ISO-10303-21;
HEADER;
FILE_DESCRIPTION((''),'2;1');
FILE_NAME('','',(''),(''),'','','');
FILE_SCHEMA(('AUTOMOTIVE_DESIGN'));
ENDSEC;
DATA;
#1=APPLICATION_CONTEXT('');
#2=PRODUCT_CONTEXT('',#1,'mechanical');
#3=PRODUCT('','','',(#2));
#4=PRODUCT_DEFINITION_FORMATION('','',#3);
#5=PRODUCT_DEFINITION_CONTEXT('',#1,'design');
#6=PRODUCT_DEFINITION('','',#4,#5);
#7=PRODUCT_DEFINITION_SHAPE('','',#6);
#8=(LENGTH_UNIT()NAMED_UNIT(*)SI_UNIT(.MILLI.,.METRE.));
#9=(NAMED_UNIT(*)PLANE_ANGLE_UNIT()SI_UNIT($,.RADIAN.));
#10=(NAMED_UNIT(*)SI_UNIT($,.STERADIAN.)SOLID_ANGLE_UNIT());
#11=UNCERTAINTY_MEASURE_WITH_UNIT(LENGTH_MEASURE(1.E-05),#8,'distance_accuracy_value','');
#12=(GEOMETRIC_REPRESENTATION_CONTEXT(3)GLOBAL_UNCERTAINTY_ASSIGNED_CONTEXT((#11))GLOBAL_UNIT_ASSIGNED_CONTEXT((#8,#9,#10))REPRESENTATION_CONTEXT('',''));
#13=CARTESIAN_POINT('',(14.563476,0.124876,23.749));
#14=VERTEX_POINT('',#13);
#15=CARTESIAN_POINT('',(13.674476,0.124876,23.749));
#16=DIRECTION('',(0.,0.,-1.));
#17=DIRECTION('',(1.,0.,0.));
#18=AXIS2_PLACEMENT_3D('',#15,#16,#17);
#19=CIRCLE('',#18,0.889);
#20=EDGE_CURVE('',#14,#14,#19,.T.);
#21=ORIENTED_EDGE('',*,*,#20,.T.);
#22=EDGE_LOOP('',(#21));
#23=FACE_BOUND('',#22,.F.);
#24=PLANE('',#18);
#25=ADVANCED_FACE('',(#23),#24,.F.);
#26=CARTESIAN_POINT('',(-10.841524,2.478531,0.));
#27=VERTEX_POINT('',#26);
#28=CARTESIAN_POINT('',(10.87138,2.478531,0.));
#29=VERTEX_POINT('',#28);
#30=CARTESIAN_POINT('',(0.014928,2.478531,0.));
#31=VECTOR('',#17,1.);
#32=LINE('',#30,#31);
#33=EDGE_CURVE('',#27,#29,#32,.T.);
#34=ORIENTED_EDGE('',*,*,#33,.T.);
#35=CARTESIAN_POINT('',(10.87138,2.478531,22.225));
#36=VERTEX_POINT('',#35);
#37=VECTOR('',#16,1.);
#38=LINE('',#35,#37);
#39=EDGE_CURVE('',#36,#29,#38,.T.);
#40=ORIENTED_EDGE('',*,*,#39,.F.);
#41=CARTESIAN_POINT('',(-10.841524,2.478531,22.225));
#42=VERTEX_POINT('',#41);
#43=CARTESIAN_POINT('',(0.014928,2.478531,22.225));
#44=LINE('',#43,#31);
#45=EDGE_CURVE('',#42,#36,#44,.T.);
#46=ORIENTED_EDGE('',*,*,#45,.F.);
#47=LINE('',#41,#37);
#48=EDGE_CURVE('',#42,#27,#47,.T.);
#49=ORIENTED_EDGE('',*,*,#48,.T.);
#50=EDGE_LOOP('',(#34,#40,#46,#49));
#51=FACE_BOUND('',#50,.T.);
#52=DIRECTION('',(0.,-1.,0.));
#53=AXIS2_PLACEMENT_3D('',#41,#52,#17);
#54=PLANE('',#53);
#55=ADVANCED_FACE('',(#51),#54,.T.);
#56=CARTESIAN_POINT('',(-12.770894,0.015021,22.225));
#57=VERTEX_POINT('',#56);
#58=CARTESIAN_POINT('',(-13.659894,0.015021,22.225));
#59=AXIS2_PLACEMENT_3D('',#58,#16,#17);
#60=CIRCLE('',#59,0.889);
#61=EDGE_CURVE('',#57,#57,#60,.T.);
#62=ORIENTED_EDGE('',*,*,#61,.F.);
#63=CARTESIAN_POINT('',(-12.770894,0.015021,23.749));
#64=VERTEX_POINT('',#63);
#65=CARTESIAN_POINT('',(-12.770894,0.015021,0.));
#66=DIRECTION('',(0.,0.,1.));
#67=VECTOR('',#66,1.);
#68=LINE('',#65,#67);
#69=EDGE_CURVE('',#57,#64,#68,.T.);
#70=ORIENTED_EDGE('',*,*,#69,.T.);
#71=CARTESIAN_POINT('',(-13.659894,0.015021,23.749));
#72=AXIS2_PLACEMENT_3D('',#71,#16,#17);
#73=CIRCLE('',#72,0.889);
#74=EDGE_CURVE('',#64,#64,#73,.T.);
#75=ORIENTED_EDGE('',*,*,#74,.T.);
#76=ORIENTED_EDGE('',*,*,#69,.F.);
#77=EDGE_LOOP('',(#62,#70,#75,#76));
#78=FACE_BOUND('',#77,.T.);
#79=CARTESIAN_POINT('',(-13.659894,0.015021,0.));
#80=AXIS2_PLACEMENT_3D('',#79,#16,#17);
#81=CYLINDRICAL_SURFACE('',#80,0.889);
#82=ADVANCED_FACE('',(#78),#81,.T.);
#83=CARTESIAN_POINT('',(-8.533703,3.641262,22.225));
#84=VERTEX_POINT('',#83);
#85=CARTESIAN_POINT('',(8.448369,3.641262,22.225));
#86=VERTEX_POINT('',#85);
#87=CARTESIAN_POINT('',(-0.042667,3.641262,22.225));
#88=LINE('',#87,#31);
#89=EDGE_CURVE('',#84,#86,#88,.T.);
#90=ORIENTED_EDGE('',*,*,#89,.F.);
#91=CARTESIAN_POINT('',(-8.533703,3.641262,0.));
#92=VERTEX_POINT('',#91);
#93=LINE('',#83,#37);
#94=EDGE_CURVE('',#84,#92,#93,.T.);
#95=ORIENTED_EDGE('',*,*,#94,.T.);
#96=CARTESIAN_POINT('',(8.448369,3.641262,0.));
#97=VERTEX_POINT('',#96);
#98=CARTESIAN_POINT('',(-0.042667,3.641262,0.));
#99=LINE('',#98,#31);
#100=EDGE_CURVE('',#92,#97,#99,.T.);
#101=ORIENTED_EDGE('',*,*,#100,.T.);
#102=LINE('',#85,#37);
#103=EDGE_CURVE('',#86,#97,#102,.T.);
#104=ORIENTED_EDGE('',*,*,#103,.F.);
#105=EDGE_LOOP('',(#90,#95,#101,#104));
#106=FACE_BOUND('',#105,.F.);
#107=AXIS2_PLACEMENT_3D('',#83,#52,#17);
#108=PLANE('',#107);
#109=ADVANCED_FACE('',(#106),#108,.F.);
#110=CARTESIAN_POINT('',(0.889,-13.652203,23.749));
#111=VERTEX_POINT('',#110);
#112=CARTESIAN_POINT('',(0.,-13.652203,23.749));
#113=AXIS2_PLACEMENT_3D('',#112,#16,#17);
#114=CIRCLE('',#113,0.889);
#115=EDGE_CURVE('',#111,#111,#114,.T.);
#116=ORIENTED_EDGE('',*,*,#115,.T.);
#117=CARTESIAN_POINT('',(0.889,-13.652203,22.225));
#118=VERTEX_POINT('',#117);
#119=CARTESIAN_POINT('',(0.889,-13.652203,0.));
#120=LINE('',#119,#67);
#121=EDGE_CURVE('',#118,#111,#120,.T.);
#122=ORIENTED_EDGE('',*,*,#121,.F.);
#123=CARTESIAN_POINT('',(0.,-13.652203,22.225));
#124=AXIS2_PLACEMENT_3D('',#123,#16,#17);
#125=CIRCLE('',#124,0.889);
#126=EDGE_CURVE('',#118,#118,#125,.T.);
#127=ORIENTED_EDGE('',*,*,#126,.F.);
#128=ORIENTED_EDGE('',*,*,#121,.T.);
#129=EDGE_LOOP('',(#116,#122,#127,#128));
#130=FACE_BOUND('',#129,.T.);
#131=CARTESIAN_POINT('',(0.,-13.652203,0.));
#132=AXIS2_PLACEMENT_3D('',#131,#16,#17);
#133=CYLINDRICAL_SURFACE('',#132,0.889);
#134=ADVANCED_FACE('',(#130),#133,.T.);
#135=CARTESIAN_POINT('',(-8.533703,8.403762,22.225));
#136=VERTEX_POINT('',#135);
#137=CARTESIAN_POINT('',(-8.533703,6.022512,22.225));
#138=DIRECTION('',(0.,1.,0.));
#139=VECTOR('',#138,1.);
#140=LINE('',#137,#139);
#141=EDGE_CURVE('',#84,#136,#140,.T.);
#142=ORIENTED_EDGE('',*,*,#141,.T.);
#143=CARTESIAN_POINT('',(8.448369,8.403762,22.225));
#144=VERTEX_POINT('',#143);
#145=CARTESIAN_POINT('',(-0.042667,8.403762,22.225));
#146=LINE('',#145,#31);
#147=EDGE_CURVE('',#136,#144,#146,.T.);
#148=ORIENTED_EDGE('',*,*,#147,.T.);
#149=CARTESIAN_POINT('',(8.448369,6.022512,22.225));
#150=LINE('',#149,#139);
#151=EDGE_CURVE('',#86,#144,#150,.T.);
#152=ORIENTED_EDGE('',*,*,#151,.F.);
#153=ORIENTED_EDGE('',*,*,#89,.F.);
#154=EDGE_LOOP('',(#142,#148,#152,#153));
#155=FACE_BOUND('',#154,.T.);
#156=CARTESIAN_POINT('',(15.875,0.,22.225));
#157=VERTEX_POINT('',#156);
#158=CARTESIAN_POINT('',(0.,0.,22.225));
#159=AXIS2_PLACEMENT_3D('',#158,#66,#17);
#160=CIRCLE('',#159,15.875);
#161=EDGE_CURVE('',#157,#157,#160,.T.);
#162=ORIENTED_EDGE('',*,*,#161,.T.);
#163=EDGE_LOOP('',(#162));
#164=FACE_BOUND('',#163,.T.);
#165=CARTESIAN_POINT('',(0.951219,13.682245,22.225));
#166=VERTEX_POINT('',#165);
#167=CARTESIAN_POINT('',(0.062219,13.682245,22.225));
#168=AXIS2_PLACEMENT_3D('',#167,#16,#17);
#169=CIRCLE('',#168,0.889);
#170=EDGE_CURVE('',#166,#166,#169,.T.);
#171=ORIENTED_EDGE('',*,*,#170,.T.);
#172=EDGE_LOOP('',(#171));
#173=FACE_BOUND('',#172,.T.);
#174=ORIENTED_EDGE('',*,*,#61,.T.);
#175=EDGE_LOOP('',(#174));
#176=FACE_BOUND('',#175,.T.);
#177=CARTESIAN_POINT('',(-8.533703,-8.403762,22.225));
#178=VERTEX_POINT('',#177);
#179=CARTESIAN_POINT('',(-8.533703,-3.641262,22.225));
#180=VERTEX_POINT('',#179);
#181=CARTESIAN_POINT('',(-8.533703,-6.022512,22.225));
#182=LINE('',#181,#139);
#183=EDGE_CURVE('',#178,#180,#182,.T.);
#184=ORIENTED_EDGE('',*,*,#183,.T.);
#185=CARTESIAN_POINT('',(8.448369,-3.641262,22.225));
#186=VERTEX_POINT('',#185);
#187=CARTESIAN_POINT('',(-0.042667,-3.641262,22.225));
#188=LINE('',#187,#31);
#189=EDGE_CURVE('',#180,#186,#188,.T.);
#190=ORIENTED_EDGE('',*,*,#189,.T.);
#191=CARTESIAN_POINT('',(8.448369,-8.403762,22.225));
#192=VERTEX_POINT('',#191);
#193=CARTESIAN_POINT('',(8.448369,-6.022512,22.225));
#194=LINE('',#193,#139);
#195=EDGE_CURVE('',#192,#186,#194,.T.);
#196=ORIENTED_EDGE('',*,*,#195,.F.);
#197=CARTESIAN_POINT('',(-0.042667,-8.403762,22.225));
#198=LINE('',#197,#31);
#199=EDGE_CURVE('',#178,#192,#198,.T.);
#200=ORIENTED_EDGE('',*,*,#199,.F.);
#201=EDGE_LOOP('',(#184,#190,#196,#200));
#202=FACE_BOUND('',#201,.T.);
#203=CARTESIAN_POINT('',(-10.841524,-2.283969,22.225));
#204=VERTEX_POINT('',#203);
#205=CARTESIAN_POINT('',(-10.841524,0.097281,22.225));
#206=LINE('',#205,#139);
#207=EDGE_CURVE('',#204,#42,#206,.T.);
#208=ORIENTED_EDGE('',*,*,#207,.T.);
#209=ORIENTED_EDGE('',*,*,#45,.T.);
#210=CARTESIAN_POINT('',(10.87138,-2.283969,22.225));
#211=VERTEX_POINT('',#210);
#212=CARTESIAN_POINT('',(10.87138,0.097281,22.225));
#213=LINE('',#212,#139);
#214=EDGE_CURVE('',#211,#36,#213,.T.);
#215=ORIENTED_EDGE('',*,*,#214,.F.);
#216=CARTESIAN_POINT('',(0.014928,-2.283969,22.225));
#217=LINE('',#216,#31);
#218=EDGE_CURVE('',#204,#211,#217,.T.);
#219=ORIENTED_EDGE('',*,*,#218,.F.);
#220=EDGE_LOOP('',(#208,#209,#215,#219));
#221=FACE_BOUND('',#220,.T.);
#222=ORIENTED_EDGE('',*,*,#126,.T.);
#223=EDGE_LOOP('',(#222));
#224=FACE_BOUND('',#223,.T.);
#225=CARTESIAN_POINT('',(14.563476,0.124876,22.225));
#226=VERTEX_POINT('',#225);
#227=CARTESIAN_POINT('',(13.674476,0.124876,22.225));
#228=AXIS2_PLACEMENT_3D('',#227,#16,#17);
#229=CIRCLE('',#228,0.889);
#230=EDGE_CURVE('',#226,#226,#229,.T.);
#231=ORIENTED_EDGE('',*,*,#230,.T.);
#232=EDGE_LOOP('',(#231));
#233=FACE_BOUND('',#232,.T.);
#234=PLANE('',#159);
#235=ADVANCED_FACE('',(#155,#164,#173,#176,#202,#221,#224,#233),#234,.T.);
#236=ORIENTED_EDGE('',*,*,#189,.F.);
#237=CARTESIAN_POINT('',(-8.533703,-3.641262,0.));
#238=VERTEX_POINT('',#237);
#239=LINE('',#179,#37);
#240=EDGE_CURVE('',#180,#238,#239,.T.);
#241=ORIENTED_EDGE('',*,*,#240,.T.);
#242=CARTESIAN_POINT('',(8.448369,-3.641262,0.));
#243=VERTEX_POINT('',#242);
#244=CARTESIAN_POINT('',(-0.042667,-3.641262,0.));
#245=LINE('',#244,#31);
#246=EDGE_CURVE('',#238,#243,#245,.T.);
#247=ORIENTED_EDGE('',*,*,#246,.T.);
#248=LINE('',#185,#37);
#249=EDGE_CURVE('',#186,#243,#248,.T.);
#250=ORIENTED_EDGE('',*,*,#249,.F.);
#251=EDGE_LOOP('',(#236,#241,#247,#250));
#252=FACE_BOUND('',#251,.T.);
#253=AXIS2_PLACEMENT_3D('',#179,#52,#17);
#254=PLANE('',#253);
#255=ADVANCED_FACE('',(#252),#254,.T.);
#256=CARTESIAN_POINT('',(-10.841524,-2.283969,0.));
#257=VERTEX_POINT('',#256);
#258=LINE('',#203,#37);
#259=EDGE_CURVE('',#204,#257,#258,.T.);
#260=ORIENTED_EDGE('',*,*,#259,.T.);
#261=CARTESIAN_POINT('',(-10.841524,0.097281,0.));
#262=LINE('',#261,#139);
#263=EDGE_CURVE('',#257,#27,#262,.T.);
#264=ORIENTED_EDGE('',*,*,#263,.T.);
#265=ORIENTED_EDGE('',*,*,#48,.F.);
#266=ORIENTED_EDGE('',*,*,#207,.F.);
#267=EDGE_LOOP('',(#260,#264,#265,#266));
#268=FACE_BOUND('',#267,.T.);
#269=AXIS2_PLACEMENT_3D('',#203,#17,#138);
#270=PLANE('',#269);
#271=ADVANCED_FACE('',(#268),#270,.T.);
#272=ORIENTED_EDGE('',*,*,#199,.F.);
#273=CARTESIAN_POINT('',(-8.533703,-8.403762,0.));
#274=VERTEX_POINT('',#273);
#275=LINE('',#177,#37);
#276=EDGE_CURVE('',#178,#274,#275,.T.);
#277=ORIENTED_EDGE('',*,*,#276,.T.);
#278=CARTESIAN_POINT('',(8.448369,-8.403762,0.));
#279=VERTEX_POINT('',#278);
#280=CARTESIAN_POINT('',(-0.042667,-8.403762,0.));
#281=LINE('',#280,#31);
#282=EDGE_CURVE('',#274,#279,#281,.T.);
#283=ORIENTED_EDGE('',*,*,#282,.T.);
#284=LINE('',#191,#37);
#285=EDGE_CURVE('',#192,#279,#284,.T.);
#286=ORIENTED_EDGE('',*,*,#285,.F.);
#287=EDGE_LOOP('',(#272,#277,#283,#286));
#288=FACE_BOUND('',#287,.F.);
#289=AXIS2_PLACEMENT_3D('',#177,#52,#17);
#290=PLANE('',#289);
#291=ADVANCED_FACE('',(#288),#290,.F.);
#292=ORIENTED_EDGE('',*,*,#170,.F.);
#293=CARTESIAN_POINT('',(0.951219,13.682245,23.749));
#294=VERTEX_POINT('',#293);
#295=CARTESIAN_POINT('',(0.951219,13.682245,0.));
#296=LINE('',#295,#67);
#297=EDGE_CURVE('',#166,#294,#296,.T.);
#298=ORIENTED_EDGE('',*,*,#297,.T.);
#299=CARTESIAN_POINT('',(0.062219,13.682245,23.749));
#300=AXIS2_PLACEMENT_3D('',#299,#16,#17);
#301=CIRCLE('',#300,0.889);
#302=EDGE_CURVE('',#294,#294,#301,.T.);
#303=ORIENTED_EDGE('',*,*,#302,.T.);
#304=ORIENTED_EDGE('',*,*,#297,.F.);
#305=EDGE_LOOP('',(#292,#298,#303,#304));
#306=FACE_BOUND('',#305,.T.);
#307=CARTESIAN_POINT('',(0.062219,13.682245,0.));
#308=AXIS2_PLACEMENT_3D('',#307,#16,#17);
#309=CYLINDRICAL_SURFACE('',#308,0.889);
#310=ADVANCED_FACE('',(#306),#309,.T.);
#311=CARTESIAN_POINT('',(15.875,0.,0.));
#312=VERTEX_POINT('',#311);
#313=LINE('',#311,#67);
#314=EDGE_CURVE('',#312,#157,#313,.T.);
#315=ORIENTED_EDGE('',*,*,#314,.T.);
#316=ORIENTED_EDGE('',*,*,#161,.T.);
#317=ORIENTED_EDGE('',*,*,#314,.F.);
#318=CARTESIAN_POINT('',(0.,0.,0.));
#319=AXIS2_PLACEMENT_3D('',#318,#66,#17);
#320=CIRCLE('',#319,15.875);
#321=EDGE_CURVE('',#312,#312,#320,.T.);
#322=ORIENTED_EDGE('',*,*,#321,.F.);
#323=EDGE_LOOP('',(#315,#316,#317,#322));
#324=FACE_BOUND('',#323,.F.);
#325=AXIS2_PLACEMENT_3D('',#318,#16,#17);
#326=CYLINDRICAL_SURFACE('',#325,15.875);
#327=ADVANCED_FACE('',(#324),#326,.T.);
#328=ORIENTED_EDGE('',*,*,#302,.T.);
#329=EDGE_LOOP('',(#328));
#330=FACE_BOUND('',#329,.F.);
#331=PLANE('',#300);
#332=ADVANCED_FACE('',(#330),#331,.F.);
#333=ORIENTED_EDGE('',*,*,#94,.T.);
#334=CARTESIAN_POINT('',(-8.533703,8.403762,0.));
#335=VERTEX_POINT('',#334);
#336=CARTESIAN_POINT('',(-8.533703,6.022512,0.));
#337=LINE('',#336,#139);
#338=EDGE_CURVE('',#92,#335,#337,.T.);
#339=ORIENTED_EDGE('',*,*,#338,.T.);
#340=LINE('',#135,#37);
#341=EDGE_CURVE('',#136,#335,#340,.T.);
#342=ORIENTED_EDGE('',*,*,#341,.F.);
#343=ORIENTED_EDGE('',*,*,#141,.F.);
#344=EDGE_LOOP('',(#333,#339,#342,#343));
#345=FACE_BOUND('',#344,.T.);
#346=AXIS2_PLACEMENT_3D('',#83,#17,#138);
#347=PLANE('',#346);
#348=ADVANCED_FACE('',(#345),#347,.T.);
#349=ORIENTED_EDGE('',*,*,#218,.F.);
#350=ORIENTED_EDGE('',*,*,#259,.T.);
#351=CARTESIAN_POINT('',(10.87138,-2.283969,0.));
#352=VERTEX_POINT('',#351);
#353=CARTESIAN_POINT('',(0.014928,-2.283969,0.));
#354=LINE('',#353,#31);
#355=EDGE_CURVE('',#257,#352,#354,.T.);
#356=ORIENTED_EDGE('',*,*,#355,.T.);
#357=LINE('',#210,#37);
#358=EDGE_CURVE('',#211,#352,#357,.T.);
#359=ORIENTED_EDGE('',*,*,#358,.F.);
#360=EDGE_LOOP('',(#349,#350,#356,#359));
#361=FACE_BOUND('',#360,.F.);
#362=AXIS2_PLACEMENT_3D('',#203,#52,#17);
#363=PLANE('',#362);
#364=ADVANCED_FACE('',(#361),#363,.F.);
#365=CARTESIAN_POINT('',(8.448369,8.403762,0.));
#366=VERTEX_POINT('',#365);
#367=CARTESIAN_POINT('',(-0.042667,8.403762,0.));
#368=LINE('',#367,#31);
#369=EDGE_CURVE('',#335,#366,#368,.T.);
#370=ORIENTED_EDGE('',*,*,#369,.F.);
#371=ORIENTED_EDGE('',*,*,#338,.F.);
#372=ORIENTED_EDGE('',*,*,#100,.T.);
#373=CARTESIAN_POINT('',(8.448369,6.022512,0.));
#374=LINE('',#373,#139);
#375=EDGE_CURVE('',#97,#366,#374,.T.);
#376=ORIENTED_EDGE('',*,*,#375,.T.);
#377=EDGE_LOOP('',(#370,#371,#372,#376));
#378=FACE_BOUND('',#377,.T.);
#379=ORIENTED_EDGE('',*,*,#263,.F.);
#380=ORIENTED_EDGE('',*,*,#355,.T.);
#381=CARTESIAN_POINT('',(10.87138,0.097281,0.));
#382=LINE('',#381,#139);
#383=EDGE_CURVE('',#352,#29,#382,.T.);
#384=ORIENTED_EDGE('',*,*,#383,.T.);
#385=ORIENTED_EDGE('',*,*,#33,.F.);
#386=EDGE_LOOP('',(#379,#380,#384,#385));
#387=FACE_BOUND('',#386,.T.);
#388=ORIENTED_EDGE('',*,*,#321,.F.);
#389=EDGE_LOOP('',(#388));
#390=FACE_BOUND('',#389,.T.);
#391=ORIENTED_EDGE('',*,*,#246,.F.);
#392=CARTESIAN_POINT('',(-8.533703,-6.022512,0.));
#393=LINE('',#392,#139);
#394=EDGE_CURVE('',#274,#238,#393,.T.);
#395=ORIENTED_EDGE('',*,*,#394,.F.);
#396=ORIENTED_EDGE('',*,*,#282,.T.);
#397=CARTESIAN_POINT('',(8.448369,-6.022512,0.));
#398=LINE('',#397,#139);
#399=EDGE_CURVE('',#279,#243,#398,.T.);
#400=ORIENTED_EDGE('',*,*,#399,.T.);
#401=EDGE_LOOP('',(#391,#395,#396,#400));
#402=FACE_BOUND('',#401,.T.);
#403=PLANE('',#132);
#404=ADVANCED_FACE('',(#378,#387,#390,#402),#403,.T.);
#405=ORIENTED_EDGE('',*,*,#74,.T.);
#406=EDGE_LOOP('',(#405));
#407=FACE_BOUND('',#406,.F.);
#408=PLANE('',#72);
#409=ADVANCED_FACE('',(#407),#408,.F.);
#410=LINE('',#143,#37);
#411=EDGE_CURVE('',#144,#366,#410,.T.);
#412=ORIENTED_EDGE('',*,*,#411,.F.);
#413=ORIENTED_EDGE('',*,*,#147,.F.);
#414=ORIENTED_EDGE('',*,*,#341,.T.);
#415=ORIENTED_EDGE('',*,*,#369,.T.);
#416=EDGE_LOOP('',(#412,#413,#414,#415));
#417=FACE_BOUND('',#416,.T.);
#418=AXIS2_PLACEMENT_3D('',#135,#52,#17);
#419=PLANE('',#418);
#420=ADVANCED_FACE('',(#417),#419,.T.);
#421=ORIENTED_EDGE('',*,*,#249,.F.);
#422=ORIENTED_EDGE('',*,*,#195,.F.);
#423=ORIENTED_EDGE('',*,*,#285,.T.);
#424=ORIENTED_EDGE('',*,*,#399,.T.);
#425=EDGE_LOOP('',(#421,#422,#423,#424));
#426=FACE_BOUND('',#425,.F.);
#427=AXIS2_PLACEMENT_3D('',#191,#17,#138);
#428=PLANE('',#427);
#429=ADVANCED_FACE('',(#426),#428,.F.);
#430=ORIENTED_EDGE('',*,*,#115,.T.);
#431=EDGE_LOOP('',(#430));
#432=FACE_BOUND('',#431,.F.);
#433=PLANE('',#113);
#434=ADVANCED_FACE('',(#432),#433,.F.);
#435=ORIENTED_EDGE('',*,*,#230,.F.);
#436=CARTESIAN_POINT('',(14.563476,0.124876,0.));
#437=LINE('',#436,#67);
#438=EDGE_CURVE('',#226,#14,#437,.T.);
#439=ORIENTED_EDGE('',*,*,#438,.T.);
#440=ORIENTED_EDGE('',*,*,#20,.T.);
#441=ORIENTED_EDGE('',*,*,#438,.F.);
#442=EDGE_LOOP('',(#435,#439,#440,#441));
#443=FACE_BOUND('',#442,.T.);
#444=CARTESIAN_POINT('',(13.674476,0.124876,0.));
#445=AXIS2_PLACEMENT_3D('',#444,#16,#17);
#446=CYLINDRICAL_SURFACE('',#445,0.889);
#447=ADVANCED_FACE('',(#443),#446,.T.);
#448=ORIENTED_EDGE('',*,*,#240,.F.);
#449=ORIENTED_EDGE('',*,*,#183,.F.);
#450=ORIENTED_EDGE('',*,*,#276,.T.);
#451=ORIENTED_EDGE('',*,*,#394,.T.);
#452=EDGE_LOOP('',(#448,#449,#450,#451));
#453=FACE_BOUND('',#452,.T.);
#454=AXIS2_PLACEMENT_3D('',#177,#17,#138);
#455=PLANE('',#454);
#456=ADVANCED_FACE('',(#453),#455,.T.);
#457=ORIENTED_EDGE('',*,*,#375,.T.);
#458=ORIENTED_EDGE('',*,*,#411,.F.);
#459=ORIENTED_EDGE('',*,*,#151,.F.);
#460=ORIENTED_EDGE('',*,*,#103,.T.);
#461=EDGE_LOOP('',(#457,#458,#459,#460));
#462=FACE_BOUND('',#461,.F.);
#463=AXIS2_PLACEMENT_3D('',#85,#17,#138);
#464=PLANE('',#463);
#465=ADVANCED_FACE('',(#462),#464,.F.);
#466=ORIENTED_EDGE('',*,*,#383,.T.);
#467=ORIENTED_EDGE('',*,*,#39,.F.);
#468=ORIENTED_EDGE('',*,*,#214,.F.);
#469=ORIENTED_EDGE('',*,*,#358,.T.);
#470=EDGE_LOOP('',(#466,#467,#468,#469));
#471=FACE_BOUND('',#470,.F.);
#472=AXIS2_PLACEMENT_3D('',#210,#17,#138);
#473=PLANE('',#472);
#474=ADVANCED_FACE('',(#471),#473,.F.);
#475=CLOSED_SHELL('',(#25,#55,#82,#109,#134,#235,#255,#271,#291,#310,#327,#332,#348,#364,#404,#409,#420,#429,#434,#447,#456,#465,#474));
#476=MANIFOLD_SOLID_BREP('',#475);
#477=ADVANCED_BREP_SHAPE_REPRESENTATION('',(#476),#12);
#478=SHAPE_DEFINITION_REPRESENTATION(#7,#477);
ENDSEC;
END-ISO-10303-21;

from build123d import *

# Parameters (mm, degrees)
F0_R     = 15.875
F1_DEPTH = 22.225
F3_R     = 0.889
F5_DEPTH = 23.749
F9_W     = 21.712904
F9_H     = 4.7625
F7_DEPTH = 22.225
F6_W     = 16.982072
F6_H     = 4.7625
F8_DEPTH = 22.225


with BuildPart() as f1:
    # F0 (on Top) → F1 (new body)
    with BuildSketch(Plane.XY):
        Circle(F0_R)
    extrude(amount=F1_DEPTH)

    # F3 (on face) → F5 (join)
    with BuildSketch(Plane(origin=(0, 0, 0), x_dir=(1, 0, 0), z_dir=(0, 0, -1))):
        with Locations((0, 13.652203)):
            Circle(F3_R)
        with Locations((-13.659894, -0.015021)):
            Circle(F3_R)
        with Locations((0.062219, -13.682245)):
            Circle(F3_R)
        with Locations((13.674476, -0.124876)):
            Circle(F3_R)
    extrude(amount=-F5_DEPTH)

    # F9 (on face) → F7 (cut)
    with BuildSketch(Plane.XY.offset(22.225)):
        with Locations((0.014928, 0.097281)):
            Rectangle(F9_W, F9_H)
    extrude(amount=-F7_DEPTH, mode=Mode.SUBTRACT)

    # F6 (on face) → F8 (cut)
    with BuildSketch(Plane.XY.offset(22.225)):
        with Locations((-0.042667, 6.022512)):
            Rectangle(F6_W, F6_H)
        with Locations((-0.042667, -6.022512)):
            Rectangle(F6_W, F6_H)
    extrude(amount=-F8_DEPTH, mode=Mode.SUBTRACT)


solid = f1.part
